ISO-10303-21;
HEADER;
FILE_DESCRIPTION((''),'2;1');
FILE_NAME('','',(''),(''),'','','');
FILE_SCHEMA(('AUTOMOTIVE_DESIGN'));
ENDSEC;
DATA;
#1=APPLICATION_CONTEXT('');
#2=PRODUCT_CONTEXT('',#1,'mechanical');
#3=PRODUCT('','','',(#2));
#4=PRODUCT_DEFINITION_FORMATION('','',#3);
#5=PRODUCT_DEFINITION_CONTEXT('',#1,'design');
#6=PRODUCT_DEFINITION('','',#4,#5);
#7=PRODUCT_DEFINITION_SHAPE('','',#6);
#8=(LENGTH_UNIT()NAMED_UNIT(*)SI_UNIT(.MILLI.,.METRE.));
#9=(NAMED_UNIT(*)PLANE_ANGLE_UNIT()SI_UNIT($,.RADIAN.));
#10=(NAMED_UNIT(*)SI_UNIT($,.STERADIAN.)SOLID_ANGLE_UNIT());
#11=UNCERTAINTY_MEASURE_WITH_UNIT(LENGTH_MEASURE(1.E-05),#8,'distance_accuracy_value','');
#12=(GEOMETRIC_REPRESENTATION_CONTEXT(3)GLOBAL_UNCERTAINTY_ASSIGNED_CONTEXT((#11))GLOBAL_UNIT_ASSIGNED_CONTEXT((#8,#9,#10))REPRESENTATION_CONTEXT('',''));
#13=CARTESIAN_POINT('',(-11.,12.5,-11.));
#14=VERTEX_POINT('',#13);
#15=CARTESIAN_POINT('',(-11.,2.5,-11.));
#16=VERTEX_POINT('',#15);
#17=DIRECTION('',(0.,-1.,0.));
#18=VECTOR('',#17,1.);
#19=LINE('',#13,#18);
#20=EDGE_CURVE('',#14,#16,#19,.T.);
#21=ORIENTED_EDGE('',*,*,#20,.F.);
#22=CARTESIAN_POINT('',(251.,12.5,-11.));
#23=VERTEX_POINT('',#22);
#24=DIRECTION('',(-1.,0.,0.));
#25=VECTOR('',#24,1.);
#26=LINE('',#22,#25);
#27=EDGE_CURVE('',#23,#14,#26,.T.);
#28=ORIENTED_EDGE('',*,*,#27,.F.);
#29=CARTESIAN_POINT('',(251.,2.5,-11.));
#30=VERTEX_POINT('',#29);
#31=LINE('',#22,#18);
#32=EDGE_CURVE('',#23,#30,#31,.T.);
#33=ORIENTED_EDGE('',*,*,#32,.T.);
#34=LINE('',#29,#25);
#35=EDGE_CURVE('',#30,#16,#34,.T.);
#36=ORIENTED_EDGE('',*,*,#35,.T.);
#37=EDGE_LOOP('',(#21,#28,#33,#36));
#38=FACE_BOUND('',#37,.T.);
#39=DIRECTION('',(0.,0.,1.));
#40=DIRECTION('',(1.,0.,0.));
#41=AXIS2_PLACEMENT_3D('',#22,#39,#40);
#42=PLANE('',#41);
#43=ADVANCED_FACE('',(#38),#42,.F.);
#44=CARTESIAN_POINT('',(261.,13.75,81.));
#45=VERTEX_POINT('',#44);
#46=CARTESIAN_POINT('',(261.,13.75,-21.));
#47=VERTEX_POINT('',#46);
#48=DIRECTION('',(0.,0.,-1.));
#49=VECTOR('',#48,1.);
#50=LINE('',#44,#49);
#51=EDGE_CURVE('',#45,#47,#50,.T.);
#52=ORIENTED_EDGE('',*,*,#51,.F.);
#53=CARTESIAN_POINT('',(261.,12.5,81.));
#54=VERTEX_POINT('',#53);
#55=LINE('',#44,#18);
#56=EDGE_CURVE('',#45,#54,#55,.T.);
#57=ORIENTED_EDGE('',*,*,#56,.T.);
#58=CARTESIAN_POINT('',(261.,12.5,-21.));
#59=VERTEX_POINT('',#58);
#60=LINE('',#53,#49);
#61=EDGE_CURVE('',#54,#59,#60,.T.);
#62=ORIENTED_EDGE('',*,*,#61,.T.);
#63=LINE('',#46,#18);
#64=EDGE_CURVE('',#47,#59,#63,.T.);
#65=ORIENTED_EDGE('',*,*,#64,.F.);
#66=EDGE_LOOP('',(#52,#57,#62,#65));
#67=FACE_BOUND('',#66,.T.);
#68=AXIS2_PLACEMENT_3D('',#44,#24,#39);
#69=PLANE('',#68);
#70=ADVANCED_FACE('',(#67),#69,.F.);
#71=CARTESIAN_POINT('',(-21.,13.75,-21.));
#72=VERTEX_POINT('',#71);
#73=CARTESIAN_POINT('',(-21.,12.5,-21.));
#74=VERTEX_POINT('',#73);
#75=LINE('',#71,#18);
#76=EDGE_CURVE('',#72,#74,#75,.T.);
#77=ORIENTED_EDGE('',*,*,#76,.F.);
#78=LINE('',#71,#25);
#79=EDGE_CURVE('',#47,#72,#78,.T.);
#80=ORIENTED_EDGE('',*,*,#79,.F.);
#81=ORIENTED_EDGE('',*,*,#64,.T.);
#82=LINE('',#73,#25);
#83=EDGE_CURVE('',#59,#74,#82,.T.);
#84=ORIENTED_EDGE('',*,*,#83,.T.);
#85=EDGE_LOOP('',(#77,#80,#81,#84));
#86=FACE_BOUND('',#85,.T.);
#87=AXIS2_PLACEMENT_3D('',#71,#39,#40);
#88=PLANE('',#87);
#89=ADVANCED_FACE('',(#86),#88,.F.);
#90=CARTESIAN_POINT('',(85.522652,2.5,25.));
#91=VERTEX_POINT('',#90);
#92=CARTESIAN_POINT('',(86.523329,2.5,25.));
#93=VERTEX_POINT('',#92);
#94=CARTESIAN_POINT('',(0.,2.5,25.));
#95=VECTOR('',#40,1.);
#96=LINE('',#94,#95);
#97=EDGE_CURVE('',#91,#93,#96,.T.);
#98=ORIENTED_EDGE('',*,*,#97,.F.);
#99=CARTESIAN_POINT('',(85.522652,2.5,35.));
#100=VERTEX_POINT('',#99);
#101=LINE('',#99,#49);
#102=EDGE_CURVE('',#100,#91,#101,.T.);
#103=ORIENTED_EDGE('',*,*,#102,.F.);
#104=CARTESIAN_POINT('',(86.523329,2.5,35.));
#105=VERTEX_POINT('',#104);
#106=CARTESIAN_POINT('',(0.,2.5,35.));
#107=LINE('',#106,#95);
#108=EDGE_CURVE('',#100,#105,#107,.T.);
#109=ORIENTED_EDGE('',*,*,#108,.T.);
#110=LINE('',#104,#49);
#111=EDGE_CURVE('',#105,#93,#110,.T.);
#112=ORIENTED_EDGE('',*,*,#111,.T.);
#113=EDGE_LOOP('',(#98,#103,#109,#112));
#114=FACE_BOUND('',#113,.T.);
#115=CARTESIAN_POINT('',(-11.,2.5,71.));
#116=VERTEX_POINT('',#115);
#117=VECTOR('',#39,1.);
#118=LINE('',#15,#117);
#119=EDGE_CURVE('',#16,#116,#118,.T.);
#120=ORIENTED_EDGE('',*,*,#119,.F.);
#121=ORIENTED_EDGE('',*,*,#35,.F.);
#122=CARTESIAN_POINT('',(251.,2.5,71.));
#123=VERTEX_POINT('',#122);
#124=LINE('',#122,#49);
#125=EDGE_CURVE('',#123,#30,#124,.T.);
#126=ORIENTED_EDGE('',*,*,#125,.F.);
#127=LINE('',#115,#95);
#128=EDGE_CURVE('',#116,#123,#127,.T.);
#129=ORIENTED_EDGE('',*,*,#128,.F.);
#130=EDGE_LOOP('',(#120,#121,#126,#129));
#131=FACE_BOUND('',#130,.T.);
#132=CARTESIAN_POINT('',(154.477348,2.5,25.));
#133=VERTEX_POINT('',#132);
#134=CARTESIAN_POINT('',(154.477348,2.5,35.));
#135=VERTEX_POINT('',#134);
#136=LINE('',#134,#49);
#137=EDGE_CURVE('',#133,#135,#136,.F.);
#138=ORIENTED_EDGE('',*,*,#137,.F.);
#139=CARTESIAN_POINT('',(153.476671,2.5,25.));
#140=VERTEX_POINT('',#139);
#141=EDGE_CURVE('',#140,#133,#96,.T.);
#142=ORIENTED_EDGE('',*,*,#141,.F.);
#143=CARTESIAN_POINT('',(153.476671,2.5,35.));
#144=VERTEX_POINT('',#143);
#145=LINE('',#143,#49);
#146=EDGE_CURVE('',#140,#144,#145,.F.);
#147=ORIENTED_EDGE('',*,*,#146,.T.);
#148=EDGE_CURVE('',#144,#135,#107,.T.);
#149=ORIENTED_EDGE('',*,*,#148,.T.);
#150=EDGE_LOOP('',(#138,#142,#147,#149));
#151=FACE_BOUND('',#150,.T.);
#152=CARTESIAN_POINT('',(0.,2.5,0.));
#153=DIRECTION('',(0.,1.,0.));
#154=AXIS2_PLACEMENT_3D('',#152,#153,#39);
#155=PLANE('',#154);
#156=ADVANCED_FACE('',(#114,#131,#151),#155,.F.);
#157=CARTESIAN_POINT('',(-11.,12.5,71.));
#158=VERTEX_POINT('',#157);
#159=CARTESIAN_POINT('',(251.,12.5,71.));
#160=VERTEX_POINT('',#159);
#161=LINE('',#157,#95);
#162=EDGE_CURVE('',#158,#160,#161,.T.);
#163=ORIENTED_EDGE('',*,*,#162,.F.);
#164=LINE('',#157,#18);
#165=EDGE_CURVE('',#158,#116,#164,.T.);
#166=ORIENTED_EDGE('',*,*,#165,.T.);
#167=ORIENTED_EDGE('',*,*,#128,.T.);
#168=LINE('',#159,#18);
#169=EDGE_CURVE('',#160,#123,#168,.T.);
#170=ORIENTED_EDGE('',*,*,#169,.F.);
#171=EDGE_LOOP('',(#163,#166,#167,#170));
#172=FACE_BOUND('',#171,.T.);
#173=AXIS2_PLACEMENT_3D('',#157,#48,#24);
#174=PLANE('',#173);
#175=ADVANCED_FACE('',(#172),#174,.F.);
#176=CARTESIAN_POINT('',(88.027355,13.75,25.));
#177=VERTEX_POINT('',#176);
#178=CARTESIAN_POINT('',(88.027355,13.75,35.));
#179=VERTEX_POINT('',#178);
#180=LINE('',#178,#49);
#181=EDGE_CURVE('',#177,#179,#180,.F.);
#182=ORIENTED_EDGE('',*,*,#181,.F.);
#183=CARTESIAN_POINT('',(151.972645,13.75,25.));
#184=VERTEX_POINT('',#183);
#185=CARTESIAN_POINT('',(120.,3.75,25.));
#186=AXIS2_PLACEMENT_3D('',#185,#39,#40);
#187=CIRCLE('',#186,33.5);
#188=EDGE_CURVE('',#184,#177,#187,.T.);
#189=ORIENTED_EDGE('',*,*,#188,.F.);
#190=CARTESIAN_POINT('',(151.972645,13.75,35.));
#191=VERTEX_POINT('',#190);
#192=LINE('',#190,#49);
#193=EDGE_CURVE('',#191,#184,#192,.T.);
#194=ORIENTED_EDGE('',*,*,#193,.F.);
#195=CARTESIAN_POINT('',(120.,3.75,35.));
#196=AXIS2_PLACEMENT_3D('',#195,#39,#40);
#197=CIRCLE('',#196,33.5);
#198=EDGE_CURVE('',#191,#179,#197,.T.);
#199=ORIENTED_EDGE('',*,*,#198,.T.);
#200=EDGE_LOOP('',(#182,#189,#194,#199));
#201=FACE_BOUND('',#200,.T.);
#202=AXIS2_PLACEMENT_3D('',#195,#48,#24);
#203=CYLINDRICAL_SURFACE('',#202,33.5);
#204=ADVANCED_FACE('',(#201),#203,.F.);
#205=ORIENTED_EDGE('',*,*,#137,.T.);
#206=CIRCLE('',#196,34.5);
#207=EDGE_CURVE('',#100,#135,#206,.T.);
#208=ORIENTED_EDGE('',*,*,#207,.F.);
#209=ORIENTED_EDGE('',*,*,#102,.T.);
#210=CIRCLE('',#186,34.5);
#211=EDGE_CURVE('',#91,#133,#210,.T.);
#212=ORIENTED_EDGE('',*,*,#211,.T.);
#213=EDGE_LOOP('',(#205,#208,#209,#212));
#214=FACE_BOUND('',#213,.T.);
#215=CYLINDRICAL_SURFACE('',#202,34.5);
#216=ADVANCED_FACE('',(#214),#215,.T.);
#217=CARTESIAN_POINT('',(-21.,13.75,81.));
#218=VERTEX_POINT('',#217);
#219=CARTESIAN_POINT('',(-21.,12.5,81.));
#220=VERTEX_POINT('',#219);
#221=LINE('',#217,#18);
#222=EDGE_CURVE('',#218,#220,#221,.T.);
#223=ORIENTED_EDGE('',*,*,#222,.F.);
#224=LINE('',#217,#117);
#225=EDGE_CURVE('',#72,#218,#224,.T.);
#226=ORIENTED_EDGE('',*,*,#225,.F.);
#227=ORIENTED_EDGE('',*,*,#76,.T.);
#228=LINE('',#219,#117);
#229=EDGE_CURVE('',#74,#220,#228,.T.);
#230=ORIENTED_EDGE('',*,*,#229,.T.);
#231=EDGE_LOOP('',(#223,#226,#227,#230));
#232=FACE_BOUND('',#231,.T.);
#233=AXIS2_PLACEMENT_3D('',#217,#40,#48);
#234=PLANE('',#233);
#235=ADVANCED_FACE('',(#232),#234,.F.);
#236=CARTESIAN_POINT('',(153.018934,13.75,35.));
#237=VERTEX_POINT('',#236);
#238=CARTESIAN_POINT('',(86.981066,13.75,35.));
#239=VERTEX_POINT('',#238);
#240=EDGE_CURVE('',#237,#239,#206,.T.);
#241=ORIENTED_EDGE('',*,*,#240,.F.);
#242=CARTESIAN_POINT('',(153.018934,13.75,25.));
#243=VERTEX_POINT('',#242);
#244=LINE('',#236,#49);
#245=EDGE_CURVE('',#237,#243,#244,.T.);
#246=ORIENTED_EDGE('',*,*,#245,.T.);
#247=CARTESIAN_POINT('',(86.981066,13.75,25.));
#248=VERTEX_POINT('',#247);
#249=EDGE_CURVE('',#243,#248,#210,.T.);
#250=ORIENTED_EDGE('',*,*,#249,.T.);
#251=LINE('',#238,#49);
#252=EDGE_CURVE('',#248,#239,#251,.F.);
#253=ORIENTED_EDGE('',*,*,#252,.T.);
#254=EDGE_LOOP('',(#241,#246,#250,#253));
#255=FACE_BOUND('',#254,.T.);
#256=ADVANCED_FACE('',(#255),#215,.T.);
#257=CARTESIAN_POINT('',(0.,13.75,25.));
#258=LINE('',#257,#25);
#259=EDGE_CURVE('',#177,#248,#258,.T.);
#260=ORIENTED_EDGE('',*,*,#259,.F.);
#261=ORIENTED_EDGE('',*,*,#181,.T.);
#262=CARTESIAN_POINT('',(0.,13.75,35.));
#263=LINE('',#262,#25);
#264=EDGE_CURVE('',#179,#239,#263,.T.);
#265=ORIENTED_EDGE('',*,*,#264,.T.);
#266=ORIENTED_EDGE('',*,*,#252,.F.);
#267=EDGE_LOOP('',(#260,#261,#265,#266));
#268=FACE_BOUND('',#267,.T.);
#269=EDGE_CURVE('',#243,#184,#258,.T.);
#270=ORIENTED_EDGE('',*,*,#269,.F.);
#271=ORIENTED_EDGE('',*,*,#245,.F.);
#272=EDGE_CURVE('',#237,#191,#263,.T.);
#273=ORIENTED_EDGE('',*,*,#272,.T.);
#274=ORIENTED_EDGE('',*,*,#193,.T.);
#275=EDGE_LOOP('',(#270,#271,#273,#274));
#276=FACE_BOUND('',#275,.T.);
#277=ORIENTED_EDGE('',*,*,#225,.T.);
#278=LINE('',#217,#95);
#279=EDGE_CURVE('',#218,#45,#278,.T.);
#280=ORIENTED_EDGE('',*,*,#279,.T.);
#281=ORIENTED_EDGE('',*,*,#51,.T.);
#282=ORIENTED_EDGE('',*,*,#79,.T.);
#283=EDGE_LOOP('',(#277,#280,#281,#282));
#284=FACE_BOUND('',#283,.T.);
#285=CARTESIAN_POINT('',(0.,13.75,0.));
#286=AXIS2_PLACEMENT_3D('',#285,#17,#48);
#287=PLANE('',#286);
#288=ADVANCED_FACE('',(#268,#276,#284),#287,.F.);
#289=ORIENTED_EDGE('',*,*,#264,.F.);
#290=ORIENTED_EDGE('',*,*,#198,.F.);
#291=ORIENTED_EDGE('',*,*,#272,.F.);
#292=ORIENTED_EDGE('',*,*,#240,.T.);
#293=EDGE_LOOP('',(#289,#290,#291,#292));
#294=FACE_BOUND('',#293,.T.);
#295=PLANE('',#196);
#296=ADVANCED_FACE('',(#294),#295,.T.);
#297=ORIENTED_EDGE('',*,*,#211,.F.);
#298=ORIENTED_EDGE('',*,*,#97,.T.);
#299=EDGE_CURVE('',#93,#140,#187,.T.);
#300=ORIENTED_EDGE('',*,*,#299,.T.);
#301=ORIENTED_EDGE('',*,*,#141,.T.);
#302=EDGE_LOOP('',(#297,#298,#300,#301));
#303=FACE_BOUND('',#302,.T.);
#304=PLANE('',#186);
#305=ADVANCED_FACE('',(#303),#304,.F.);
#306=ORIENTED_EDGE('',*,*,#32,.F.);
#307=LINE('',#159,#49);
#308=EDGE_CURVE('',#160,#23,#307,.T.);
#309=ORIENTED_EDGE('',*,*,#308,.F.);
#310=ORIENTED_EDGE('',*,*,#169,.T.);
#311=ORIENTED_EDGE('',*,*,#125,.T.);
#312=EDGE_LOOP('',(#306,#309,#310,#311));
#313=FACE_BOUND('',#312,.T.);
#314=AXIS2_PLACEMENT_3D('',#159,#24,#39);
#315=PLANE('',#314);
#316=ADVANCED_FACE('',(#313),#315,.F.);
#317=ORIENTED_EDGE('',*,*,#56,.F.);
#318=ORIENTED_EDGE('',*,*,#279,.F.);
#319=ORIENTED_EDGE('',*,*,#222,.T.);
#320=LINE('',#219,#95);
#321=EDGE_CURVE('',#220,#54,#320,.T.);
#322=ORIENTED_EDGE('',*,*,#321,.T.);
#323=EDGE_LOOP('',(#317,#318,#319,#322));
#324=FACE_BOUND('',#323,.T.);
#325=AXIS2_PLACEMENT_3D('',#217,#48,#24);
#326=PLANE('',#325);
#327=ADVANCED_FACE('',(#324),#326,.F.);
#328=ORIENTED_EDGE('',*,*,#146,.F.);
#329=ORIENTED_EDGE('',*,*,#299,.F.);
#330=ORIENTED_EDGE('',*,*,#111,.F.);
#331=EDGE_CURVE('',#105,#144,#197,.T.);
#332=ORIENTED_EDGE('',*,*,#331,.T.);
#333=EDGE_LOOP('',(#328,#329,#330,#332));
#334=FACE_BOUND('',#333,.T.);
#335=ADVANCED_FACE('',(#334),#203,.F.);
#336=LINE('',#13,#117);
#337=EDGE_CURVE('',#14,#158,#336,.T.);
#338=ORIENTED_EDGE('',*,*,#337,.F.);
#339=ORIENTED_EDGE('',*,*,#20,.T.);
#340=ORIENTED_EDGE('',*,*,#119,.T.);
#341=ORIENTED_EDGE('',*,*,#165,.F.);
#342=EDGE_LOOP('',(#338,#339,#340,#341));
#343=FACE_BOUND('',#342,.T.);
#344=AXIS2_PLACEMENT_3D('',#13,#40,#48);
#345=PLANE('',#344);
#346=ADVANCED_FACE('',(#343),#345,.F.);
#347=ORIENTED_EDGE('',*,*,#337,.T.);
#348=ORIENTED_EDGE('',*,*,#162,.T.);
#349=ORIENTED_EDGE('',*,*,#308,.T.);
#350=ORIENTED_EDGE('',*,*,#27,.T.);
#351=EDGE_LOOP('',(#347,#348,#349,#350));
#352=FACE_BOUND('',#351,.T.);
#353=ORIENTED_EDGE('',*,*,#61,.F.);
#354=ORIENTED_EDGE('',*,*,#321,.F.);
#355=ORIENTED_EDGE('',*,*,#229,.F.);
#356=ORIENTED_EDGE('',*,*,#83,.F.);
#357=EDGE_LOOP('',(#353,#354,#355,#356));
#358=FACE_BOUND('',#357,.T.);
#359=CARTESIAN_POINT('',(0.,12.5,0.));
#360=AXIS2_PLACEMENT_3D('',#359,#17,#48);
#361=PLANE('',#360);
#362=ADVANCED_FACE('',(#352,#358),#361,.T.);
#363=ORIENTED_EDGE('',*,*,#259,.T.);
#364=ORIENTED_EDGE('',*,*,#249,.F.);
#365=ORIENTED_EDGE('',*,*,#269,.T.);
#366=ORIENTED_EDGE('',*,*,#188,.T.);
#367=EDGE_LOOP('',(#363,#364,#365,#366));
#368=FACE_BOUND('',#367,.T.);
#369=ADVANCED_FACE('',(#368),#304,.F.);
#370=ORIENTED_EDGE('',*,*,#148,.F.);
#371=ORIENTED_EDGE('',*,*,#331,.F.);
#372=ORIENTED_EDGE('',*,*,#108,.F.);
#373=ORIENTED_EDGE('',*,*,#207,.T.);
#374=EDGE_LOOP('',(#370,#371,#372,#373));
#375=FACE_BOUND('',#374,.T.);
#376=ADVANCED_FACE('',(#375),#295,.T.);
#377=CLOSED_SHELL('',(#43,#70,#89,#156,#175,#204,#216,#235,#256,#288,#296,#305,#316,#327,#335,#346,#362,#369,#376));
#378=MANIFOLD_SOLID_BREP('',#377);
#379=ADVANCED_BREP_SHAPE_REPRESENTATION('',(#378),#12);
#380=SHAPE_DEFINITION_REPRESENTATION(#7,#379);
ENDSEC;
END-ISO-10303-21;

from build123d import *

# Parameters (mm, degrees)
SKETCH1_W           = 262
SKETCH1_H           = 82
BOSS_EXTRUDE1_DEPTH = 10
SKETCH2_W           = 282
SKETCH2_H           = 102
BOSS_EXTRUDE2_DEPTH = 1.25
SKETCH3_R           = 34.5
SKETCH3_R_2         = 33.5
BOSS_EXTRUDE3_DEPTH = 5


with BuildPart() as part:
    # Sketch1 → Boss-Extrude1 (new body)
    with BuildSketch(Plane(origin=(0, 2.5, 0), x_dir=(1, 0, 0), z_dir=(0, 1, 0))):
        with Locations((120, -30)):
            Rectangle(SKETCH1_W, SKETCH1_H)
    extrude(amount=BOSS_EXTRUDE1_DEPTH)

    # Sketch2 → Boss-Extrude2 (add)
    with BuildSketch(Plane(origin=(0, 12.5, 0), x_dir=(1, 0, 0), z_dir=(0, 1, 0))):
        with Locations((120, -30)):
            Rectangle(SKETCH2_W, SKETCH2_H)
    extrude(amount=BOSS_EXTRUDE2_DEPTH)

    # Sketch3 → Boss-Extrude3 (add, symmetric)
    with BuildSketch(Plane.XY.offset(30)):
        with Locations((120, 3.75)):
            Circle(SKETCH3_R)
        with Locations((120, 3.75)):
            Circle(SKETCH3_R_2, mode=Mode.SUBTRACT)
    extrude(amount=BOSS_EXTRUDE3_DEPTH, both=True)


solid = part.part
